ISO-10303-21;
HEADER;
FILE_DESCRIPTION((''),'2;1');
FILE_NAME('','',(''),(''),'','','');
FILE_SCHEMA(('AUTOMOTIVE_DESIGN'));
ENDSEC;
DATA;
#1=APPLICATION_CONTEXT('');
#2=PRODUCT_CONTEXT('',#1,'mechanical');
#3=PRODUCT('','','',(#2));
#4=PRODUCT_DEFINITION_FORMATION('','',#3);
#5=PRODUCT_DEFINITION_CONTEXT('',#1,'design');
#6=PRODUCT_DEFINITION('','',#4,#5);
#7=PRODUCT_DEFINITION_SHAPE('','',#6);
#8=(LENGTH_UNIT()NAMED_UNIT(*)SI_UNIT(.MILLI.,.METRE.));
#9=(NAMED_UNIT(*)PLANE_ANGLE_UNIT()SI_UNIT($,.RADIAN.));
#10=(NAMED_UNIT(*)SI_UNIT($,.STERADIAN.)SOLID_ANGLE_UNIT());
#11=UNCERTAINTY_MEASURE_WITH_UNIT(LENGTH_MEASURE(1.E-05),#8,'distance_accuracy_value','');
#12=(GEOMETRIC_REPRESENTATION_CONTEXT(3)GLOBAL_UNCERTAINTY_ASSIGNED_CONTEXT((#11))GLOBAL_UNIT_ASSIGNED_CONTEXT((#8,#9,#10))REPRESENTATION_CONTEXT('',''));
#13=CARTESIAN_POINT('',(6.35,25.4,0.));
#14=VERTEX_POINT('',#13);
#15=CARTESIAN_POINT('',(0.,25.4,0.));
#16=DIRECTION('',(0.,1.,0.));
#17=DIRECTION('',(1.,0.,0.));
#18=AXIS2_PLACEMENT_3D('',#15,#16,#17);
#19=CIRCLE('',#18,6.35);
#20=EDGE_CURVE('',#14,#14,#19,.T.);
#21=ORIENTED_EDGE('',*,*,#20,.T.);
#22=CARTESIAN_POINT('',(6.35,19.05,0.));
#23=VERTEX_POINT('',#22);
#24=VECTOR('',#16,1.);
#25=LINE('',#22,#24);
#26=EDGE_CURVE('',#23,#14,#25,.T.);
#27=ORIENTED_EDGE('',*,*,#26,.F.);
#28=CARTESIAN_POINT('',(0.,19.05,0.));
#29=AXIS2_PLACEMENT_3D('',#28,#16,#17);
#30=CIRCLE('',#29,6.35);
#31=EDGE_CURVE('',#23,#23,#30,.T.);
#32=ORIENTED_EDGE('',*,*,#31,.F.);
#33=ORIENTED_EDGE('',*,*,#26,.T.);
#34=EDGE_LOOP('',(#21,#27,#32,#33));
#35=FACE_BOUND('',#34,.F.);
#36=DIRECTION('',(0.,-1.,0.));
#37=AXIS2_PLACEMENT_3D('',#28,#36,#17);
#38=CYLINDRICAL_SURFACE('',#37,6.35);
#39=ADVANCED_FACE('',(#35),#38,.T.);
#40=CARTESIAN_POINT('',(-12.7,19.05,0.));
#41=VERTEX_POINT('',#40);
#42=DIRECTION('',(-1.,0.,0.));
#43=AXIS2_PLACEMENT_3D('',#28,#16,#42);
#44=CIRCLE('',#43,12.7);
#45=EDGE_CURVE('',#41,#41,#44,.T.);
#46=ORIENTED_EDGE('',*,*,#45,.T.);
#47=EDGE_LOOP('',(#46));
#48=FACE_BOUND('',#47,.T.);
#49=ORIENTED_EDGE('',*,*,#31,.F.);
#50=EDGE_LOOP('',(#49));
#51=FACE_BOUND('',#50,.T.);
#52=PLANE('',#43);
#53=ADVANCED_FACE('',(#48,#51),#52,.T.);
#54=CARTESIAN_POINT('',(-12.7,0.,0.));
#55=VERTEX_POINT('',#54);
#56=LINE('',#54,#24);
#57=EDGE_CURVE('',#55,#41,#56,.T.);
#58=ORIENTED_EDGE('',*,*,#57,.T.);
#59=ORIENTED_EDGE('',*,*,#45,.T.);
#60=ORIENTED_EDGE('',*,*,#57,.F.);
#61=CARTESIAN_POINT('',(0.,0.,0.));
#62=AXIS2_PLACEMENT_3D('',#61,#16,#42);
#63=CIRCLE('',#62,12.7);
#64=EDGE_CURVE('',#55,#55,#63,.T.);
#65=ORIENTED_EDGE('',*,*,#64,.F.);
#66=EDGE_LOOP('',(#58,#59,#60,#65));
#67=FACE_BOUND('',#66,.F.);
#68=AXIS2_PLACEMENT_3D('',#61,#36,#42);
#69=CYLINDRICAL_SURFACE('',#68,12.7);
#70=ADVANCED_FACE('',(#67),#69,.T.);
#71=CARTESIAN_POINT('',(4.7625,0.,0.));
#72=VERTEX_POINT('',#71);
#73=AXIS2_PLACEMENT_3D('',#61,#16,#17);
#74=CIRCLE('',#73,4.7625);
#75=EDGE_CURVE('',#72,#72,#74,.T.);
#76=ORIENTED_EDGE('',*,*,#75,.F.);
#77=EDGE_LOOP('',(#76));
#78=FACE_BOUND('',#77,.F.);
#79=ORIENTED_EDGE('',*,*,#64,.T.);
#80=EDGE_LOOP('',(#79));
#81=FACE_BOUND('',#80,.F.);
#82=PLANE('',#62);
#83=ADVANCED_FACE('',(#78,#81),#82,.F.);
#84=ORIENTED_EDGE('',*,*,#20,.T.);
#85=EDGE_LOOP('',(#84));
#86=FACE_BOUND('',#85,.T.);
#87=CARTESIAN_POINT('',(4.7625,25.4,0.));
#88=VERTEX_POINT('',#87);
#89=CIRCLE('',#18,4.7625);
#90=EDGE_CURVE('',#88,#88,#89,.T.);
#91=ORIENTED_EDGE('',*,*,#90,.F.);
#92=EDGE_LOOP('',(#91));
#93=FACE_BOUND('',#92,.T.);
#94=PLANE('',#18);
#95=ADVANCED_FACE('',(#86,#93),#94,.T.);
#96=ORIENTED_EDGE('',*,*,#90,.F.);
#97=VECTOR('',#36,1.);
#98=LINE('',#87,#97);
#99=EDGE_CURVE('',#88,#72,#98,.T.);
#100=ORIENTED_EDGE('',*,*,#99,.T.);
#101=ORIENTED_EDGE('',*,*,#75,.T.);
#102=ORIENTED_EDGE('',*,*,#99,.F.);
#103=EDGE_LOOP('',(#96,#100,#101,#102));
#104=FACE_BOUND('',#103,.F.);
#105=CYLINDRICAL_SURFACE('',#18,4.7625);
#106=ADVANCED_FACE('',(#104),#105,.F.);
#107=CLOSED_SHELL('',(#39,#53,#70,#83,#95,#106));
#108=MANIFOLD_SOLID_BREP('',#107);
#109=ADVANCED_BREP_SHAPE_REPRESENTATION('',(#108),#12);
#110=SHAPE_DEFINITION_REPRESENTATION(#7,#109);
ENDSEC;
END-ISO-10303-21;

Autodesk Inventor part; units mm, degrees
ref_plane "YZ Plane" through (0, 0, 0) normal (1, 0, 0) x (0, 1, 0)
ref_plane "XZ Plane" through (0, 0, 0) normal (0, 1, 0) x (-1, 0, 0)
ref_plane "XY Plane" through (0, 0, 0) normal (0, 0, 1) x (1, 0, 0)
sketch "Sketch1" plane through (0, 0, 0) normal (0, 1, 0) x (-1, 0, 0)
  circle A0 centre (0, 0) radius 12.7
  dimension "d0" = 25.4
extrude "Extrusion1" add sketch "Sketch1" along normal blind 19.05
sketch "Sketch2" plane through (0, 19.05, 0) normal (0, 1, 0) x (1, 0, 0)
  circle A0 centre (0, 0) radius 6.35
  dimension "d3" = 12.7
extrude "Extrusion2" add sketch "Sketch2" along normal blind 6.35
sketch "Sketch3" plane through (0, 25.4, 0) normal (0, 1, 0) x (1, 0, 0)
  circle A0 centre (0, 0) radius 4.7625
  dimension "d6" = 9.525
extrude "Extrusion3" cut sketch "Sketch3" against normal blind 25.4
properties part number "1 inch Diameter Belt Gear"
